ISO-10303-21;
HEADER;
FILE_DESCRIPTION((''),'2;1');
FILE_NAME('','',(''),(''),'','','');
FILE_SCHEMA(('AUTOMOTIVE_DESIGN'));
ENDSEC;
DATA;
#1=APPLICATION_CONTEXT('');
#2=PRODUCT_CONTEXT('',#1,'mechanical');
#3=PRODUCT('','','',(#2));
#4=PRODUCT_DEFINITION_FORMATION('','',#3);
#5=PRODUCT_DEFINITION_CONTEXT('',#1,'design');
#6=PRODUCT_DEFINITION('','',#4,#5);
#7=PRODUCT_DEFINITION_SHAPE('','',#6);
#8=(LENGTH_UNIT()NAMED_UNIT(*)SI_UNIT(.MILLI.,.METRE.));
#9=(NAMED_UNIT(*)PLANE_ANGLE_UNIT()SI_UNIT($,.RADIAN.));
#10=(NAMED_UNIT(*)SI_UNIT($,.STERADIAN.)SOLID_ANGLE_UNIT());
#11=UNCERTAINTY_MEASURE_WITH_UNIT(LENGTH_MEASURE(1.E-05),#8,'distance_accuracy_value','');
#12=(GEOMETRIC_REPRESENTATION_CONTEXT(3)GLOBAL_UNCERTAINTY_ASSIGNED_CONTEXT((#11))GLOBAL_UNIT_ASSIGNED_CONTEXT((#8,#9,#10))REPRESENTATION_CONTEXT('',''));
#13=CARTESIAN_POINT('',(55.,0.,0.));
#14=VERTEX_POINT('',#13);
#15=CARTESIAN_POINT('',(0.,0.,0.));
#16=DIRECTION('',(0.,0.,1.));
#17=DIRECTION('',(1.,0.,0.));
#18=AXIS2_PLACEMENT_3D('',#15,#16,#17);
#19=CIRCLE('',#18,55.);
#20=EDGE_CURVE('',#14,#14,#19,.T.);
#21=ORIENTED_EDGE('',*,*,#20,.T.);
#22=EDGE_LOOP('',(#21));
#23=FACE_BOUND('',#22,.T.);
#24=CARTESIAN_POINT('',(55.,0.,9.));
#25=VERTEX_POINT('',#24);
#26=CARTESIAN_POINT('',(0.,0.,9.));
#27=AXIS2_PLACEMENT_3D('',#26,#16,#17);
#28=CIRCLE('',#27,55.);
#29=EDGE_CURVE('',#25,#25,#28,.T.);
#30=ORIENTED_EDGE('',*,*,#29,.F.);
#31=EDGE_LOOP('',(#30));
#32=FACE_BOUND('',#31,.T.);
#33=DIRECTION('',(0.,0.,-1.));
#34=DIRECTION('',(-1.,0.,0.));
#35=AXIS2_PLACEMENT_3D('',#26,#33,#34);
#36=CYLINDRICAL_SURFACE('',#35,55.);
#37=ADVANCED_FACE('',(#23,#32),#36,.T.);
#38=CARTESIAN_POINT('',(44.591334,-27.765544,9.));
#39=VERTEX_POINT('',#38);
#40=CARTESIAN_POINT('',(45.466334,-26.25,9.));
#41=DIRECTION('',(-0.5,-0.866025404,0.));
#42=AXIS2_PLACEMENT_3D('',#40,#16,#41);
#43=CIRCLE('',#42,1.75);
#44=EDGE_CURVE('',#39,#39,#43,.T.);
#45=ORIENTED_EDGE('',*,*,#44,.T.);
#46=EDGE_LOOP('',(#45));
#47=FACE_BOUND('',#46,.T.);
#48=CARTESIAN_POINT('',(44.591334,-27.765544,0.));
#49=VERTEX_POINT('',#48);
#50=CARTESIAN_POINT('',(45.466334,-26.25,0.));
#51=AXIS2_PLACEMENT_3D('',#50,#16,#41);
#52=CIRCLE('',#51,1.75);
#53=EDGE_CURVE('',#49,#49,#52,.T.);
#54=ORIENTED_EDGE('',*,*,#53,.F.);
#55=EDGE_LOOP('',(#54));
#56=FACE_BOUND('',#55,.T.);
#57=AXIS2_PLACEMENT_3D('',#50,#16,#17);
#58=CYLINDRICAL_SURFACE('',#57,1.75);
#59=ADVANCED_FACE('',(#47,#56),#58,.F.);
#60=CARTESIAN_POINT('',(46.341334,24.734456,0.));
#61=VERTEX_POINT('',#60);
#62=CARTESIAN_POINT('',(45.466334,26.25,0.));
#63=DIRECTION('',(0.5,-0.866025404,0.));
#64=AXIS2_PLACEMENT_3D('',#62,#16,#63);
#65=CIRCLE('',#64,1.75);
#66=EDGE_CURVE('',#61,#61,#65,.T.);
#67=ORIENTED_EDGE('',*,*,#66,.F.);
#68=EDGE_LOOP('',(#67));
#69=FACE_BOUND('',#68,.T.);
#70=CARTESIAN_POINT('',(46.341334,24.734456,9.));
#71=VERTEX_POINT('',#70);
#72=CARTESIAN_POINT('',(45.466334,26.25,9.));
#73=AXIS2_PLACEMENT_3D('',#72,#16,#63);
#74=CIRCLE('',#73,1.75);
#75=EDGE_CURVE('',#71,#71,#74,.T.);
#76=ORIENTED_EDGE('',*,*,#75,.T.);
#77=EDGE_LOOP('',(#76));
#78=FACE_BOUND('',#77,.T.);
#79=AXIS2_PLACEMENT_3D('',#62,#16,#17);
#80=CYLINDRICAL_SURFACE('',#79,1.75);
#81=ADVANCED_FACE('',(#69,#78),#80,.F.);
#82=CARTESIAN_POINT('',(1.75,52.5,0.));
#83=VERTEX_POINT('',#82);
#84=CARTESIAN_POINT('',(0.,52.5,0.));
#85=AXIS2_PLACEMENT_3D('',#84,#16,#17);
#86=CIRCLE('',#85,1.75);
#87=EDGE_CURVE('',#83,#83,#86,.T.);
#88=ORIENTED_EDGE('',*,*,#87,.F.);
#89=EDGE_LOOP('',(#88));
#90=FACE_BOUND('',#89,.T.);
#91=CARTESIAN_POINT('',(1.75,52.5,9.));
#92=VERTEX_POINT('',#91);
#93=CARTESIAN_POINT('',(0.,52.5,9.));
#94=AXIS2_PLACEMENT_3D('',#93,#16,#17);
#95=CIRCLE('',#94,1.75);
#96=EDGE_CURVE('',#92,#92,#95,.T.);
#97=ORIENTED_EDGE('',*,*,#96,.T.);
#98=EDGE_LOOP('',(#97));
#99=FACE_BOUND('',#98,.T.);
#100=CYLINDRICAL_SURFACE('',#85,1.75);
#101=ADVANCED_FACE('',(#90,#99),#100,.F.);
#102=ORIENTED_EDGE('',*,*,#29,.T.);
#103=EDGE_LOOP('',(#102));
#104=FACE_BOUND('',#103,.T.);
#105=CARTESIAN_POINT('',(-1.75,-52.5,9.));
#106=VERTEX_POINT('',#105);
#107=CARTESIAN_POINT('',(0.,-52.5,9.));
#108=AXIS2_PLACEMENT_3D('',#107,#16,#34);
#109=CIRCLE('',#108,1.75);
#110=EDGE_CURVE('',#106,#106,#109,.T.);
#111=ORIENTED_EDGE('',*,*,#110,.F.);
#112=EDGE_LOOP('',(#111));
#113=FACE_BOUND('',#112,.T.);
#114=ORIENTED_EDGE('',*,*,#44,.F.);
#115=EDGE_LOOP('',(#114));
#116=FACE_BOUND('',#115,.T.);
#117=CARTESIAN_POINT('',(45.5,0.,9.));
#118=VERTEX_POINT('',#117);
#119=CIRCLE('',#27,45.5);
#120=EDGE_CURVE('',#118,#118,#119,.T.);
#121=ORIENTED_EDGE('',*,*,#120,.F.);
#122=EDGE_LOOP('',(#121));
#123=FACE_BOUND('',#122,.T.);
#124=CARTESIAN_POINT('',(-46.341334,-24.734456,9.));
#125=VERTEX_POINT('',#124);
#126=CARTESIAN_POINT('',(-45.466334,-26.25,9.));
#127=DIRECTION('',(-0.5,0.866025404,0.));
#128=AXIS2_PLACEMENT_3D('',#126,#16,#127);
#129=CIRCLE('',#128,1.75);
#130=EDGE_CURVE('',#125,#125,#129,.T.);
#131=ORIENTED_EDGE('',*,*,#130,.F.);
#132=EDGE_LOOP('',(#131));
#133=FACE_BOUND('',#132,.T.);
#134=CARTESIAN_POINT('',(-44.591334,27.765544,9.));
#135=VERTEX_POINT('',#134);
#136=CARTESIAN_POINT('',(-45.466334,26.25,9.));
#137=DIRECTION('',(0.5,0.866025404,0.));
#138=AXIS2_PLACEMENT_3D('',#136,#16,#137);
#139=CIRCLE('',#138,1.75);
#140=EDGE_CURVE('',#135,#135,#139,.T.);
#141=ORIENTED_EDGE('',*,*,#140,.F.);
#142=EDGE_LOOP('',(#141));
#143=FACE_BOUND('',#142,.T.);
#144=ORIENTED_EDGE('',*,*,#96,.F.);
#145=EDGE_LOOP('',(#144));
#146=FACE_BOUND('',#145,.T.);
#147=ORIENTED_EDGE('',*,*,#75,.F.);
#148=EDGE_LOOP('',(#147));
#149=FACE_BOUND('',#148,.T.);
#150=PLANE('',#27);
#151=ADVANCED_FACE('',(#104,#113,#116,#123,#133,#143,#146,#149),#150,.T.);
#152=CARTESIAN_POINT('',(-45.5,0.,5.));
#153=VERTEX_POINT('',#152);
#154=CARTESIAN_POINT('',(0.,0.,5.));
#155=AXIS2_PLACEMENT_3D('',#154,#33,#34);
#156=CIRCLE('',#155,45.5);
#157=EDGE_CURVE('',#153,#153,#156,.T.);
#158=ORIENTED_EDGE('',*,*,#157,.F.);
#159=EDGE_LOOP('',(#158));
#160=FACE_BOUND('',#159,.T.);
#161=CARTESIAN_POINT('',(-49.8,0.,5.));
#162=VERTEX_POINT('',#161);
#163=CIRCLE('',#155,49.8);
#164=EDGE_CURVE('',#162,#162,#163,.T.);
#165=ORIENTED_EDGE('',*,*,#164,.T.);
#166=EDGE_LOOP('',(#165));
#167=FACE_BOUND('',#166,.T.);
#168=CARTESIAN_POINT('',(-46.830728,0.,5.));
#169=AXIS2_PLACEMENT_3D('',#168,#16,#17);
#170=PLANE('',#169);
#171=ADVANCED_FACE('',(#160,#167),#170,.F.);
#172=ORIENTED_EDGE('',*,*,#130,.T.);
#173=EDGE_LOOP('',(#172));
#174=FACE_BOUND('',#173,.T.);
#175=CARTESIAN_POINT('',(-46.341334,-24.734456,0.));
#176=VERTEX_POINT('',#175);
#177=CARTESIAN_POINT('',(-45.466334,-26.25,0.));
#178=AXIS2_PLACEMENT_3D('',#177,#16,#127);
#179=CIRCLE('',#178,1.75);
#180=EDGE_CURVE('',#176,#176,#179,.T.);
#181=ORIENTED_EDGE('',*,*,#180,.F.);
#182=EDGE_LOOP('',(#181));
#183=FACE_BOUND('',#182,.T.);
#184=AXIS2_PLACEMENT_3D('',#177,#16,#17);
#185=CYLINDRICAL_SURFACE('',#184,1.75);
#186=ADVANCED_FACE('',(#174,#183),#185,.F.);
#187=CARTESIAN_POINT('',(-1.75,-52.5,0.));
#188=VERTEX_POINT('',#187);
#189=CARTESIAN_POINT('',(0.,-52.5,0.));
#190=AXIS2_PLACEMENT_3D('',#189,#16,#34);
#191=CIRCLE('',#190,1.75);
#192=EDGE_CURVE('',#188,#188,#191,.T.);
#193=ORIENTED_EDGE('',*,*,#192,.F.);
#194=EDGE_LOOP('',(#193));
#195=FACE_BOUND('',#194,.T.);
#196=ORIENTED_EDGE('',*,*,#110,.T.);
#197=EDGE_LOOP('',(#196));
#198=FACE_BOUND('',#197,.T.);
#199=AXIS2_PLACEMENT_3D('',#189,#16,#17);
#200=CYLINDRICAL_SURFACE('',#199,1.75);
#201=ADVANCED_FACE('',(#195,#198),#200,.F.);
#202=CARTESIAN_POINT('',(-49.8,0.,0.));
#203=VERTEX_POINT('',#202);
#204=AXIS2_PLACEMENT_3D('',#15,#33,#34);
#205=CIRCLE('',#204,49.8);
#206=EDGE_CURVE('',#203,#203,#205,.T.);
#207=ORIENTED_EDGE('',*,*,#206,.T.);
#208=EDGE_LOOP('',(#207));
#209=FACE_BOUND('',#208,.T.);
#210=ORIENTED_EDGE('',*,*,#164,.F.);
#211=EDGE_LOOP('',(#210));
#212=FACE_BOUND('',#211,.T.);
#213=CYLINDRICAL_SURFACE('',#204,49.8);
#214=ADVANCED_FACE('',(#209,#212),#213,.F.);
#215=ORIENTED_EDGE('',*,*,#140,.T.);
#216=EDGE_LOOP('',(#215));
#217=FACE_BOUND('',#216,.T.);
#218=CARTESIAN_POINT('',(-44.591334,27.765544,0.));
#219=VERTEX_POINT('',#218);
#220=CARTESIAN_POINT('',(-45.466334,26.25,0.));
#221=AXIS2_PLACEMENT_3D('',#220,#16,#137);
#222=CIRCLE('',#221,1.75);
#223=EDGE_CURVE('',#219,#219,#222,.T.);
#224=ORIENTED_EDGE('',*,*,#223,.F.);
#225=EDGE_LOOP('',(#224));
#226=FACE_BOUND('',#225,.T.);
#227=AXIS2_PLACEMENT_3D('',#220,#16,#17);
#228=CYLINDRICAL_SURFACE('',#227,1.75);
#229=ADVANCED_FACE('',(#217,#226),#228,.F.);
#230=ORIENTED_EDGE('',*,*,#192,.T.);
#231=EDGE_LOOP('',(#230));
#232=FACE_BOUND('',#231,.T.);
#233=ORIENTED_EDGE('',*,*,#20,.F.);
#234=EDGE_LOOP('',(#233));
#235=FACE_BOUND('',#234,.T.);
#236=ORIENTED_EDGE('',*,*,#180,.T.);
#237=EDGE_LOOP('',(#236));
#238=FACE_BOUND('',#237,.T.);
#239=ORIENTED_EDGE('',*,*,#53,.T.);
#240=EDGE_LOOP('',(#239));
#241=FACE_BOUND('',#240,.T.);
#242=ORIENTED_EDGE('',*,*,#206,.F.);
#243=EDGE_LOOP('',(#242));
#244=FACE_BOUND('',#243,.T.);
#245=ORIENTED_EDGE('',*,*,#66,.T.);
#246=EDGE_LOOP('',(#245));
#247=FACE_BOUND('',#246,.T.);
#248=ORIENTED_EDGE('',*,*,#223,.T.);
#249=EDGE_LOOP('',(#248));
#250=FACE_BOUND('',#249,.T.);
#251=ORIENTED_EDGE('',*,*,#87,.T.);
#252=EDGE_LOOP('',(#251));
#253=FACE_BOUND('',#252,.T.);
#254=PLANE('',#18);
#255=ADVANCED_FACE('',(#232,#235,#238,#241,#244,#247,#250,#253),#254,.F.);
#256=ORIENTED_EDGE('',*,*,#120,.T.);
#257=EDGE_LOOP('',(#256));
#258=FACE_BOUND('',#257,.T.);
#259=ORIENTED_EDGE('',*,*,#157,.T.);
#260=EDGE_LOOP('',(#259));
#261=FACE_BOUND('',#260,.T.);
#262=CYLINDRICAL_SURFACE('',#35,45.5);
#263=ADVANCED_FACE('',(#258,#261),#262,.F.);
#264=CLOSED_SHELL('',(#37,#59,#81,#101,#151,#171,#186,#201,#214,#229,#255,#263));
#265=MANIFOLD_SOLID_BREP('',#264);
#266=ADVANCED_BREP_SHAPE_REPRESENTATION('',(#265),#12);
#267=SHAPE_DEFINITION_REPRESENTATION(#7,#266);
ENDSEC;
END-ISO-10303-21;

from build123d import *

# Parameters (mm, degrees)
SKETCH_1_R               = 55
SKETCH_1_R_2             = 45.5
EXTRUDE_1_DEPTH          = 9
SKETCH_2_R               = 1.75
CUT_EXTRUDE_1_DEPTH      = 9
PATTERN_CIRCULAR_1_COUNT = 6


with BuildPart() as part:
    # 草图1 → 凸台-拉伸1 (new body)
    with BuildSketch(Plane.XY):
        Circle(SKETCH_1_R)
        Circle(SKETCH_1_R_2, mode=Mode.SUBTRACT)
    extrude(amount=EXTRUDE_1_DEPTH)

    # 草图2 → 切除-拉伸1 (cut)
    with BuildSketch(Plane.XY.offset(9)):
        with Locations((0, 52.5)):
            Circle(SKETCH_2_R)
    cut_extrude_1 = extrude(amount=-CUT_EXTRUDE_1_DEPTH, mode=Mode.SUBTRACT)

    # 阵列(圆周)1: 切除-拉伸1 ×6 about axis
    pattern_circular_1_axis = Axis((0, 0, 0), (0, 0, 1))
    for i in range(1, PATTERN_CIRCULAR_1_COUNT):
        add(cut_extrude_1.rotate(pattern_circular_1_axis, i * 360 / PATTERN_CIRCULAR_1_COUNT), mode=Mode.SUBTRACT)

    # 草图3 → 切除-旋转1 (revolve, cut)
    with BuildSketch(Plane(origin=(0, 0, 0), x_dir=(1, 0, 0), z_dir=(0, 1, 0))):
        Polygon((-49.8, 0), (-49.8, -5), (-46.83072822, -5), (-45.5, -5), (-45.5, 0), align=None)
    revolve(axis=Axis((0, 0, 0), (0, 0, 1)), mode=Mode.SUBTRACT)


solid = part.part
